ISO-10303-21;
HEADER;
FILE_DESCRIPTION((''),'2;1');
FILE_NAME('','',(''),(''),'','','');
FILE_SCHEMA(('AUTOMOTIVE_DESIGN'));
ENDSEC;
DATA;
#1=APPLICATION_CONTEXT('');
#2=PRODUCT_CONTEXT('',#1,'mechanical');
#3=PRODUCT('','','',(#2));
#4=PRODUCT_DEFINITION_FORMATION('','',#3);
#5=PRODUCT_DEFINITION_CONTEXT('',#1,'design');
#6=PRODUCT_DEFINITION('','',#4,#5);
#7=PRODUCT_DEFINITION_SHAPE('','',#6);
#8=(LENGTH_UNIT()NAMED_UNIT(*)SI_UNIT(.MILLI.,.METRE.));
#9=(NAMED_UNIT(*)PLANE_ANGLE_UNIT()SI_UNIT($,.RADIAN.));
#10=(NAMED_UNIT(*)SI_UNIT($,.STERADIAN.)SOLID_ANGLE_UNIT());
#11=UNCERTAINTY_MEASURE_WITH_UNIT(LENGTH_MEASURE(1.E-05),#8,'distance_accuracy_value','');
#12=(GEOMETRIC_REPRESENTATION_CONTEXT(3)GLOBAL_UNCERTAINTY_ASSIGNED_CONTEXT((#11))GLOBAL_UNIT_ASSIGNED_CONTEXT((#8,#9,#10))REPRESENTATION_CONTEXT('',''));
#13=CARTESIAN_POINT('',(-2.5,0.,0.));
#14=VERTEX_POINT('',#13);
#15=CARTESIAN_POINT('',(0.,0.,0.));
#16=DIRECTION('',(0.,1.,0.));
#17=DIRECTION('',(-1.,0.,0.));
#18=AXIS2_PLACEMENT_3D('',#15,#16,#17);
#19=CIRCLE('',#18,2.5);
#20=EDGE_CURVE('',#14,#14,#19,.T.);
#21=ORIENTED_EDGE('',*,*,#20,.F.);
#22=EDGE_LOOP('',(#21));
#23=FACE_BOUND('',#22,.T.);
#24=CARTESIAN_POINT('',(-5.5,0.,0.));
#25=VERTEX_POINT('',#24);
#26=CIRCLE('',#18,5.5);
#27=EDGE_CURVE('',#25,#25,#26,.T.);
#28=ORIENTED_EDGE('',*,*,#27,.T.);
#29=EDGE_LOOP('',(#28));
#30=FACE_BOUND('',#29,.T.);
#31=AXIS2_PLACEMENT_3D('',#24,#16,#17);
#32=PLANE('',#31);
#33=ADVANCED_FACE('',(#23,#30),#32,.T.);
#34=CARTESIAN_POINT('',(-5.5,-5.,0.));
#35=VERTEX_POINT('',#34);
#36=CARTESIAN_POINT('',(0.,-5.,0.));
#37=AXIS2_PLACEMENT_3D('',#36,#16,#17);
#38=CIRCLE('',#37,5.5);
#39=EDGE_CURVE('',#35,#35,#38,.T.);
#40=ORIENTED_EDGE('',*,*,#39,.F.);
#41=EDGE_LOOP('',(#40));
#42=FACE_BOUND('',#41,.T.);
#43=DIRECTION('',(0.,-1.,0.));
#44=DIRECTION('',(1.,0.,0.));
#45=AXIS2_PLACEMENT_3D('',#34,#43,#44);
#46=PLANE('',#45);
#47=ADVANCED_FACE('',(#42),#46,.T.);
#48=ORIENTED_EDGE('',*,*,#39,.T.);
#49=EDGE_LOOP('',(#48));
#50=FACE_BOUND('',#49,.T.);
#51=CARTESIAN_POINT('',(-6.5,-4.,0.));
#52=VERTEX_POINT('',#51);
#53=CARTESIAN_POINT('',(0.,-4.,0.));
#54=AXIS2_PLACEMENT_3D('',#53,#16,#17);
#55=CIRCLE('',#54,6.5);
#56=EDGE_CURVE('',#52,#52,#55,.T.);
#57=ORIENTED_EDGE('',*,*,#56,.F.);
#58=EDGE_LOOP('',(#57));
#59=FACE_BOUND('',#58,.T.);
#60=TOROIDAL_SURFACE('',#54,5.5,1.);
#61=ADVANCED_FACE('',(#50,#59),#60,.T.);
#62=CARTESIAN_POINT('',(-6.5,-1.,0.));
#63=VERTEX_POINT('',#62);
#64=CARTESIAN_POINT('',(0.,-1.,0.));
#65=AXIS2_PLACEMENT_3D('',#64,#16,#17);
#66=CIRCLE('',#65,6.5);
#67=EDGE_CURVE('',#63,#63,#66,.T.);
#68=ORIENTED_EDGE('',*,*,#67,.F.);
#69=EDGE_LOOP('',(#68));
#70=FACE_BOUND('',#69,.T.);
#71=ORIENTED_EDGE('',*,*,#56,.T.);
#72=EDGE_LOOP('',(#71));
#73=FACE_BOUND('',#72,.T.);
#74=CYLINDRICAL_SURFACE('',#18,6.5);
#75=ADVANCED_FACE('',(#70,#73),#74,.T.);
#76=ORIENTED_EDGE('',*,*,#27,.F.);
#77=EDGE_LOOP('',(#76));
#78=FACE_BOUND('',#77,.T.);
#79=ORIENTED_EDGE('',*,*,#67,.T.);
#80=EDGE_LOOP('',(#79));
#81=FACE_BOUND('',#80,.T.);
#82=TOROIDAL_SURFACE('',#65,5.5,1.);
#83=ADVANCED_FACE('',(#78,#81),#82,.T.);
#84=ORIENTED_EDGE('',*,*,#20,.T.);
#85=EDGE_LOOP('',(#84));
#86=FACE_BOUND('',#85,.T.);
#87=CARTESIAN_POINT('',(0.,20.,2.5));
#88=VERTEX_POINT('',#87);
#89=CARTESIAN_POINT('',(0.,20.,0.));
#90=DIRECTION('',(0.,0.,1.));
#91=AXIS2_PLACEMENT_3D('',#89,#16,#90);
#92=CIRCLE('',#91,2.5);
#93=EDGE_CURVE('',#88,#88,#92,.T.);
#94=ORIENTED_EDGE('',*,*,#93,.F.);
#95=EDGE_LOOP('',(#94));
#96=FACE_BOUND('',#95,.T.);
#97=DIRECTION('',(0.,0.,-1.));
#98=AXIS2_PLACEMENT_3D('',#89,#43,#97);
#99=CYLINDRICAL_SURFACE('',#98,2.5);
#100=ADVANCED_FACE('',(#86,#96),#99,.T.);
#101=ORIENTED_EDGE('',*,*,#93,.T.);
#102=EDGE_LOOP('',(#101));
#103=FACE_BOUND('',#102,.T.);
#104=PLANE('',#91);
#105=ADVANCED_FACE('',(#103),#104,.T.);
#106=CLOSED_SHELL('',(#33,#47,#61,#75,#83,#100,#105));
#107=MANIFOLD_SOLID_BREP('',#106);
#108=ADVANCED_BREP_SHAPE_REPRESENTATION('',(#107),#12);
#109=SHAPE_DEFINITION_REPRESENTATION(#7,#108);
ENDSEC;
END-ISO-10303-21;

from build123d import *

# Parameters (mm, degrees)
SKETCH1_R           = 2.5
BOSS_EXTRUDE1_DEPTH = 20


with BuildPart() as part:
    # Sketch1 → Boss-Extrude1 (new body)
    with BuildSketch(Plane(origin=(0, 0, 0), x_dir=(1, 0, 0), z_dir=(0, 1, 0))):
        with Locations(Location((0, 0, 0), (0, 0, 270))):
            Circle(SKETCH1_R)
    extrude(amount=BOSS_EXTRUDE1_DEPTH)

    # Sketch2 → Revolve1 (revolve)
    with BuildSketch(Plane.XY):
        with BuildLine():
            Line((0, 0), (0, -5))
            Line((0, -5), (-5.5, -5))
            ThreePointArc((-5.5, -5), (-6.207106781, -4.707106781), (-6.5, -4))
            Line((-6.5, -4), (-6.5, -1))
            ThreePointArc((-6.5, -1), (-6.207106781, -0.292893219), (-5.5, 0))
            Line((-5.5, 0), (0, 0))
        make_face()
    revolve(axis=Axis((0, 0, 0), (0, -1, 0)))


solid = part.part
